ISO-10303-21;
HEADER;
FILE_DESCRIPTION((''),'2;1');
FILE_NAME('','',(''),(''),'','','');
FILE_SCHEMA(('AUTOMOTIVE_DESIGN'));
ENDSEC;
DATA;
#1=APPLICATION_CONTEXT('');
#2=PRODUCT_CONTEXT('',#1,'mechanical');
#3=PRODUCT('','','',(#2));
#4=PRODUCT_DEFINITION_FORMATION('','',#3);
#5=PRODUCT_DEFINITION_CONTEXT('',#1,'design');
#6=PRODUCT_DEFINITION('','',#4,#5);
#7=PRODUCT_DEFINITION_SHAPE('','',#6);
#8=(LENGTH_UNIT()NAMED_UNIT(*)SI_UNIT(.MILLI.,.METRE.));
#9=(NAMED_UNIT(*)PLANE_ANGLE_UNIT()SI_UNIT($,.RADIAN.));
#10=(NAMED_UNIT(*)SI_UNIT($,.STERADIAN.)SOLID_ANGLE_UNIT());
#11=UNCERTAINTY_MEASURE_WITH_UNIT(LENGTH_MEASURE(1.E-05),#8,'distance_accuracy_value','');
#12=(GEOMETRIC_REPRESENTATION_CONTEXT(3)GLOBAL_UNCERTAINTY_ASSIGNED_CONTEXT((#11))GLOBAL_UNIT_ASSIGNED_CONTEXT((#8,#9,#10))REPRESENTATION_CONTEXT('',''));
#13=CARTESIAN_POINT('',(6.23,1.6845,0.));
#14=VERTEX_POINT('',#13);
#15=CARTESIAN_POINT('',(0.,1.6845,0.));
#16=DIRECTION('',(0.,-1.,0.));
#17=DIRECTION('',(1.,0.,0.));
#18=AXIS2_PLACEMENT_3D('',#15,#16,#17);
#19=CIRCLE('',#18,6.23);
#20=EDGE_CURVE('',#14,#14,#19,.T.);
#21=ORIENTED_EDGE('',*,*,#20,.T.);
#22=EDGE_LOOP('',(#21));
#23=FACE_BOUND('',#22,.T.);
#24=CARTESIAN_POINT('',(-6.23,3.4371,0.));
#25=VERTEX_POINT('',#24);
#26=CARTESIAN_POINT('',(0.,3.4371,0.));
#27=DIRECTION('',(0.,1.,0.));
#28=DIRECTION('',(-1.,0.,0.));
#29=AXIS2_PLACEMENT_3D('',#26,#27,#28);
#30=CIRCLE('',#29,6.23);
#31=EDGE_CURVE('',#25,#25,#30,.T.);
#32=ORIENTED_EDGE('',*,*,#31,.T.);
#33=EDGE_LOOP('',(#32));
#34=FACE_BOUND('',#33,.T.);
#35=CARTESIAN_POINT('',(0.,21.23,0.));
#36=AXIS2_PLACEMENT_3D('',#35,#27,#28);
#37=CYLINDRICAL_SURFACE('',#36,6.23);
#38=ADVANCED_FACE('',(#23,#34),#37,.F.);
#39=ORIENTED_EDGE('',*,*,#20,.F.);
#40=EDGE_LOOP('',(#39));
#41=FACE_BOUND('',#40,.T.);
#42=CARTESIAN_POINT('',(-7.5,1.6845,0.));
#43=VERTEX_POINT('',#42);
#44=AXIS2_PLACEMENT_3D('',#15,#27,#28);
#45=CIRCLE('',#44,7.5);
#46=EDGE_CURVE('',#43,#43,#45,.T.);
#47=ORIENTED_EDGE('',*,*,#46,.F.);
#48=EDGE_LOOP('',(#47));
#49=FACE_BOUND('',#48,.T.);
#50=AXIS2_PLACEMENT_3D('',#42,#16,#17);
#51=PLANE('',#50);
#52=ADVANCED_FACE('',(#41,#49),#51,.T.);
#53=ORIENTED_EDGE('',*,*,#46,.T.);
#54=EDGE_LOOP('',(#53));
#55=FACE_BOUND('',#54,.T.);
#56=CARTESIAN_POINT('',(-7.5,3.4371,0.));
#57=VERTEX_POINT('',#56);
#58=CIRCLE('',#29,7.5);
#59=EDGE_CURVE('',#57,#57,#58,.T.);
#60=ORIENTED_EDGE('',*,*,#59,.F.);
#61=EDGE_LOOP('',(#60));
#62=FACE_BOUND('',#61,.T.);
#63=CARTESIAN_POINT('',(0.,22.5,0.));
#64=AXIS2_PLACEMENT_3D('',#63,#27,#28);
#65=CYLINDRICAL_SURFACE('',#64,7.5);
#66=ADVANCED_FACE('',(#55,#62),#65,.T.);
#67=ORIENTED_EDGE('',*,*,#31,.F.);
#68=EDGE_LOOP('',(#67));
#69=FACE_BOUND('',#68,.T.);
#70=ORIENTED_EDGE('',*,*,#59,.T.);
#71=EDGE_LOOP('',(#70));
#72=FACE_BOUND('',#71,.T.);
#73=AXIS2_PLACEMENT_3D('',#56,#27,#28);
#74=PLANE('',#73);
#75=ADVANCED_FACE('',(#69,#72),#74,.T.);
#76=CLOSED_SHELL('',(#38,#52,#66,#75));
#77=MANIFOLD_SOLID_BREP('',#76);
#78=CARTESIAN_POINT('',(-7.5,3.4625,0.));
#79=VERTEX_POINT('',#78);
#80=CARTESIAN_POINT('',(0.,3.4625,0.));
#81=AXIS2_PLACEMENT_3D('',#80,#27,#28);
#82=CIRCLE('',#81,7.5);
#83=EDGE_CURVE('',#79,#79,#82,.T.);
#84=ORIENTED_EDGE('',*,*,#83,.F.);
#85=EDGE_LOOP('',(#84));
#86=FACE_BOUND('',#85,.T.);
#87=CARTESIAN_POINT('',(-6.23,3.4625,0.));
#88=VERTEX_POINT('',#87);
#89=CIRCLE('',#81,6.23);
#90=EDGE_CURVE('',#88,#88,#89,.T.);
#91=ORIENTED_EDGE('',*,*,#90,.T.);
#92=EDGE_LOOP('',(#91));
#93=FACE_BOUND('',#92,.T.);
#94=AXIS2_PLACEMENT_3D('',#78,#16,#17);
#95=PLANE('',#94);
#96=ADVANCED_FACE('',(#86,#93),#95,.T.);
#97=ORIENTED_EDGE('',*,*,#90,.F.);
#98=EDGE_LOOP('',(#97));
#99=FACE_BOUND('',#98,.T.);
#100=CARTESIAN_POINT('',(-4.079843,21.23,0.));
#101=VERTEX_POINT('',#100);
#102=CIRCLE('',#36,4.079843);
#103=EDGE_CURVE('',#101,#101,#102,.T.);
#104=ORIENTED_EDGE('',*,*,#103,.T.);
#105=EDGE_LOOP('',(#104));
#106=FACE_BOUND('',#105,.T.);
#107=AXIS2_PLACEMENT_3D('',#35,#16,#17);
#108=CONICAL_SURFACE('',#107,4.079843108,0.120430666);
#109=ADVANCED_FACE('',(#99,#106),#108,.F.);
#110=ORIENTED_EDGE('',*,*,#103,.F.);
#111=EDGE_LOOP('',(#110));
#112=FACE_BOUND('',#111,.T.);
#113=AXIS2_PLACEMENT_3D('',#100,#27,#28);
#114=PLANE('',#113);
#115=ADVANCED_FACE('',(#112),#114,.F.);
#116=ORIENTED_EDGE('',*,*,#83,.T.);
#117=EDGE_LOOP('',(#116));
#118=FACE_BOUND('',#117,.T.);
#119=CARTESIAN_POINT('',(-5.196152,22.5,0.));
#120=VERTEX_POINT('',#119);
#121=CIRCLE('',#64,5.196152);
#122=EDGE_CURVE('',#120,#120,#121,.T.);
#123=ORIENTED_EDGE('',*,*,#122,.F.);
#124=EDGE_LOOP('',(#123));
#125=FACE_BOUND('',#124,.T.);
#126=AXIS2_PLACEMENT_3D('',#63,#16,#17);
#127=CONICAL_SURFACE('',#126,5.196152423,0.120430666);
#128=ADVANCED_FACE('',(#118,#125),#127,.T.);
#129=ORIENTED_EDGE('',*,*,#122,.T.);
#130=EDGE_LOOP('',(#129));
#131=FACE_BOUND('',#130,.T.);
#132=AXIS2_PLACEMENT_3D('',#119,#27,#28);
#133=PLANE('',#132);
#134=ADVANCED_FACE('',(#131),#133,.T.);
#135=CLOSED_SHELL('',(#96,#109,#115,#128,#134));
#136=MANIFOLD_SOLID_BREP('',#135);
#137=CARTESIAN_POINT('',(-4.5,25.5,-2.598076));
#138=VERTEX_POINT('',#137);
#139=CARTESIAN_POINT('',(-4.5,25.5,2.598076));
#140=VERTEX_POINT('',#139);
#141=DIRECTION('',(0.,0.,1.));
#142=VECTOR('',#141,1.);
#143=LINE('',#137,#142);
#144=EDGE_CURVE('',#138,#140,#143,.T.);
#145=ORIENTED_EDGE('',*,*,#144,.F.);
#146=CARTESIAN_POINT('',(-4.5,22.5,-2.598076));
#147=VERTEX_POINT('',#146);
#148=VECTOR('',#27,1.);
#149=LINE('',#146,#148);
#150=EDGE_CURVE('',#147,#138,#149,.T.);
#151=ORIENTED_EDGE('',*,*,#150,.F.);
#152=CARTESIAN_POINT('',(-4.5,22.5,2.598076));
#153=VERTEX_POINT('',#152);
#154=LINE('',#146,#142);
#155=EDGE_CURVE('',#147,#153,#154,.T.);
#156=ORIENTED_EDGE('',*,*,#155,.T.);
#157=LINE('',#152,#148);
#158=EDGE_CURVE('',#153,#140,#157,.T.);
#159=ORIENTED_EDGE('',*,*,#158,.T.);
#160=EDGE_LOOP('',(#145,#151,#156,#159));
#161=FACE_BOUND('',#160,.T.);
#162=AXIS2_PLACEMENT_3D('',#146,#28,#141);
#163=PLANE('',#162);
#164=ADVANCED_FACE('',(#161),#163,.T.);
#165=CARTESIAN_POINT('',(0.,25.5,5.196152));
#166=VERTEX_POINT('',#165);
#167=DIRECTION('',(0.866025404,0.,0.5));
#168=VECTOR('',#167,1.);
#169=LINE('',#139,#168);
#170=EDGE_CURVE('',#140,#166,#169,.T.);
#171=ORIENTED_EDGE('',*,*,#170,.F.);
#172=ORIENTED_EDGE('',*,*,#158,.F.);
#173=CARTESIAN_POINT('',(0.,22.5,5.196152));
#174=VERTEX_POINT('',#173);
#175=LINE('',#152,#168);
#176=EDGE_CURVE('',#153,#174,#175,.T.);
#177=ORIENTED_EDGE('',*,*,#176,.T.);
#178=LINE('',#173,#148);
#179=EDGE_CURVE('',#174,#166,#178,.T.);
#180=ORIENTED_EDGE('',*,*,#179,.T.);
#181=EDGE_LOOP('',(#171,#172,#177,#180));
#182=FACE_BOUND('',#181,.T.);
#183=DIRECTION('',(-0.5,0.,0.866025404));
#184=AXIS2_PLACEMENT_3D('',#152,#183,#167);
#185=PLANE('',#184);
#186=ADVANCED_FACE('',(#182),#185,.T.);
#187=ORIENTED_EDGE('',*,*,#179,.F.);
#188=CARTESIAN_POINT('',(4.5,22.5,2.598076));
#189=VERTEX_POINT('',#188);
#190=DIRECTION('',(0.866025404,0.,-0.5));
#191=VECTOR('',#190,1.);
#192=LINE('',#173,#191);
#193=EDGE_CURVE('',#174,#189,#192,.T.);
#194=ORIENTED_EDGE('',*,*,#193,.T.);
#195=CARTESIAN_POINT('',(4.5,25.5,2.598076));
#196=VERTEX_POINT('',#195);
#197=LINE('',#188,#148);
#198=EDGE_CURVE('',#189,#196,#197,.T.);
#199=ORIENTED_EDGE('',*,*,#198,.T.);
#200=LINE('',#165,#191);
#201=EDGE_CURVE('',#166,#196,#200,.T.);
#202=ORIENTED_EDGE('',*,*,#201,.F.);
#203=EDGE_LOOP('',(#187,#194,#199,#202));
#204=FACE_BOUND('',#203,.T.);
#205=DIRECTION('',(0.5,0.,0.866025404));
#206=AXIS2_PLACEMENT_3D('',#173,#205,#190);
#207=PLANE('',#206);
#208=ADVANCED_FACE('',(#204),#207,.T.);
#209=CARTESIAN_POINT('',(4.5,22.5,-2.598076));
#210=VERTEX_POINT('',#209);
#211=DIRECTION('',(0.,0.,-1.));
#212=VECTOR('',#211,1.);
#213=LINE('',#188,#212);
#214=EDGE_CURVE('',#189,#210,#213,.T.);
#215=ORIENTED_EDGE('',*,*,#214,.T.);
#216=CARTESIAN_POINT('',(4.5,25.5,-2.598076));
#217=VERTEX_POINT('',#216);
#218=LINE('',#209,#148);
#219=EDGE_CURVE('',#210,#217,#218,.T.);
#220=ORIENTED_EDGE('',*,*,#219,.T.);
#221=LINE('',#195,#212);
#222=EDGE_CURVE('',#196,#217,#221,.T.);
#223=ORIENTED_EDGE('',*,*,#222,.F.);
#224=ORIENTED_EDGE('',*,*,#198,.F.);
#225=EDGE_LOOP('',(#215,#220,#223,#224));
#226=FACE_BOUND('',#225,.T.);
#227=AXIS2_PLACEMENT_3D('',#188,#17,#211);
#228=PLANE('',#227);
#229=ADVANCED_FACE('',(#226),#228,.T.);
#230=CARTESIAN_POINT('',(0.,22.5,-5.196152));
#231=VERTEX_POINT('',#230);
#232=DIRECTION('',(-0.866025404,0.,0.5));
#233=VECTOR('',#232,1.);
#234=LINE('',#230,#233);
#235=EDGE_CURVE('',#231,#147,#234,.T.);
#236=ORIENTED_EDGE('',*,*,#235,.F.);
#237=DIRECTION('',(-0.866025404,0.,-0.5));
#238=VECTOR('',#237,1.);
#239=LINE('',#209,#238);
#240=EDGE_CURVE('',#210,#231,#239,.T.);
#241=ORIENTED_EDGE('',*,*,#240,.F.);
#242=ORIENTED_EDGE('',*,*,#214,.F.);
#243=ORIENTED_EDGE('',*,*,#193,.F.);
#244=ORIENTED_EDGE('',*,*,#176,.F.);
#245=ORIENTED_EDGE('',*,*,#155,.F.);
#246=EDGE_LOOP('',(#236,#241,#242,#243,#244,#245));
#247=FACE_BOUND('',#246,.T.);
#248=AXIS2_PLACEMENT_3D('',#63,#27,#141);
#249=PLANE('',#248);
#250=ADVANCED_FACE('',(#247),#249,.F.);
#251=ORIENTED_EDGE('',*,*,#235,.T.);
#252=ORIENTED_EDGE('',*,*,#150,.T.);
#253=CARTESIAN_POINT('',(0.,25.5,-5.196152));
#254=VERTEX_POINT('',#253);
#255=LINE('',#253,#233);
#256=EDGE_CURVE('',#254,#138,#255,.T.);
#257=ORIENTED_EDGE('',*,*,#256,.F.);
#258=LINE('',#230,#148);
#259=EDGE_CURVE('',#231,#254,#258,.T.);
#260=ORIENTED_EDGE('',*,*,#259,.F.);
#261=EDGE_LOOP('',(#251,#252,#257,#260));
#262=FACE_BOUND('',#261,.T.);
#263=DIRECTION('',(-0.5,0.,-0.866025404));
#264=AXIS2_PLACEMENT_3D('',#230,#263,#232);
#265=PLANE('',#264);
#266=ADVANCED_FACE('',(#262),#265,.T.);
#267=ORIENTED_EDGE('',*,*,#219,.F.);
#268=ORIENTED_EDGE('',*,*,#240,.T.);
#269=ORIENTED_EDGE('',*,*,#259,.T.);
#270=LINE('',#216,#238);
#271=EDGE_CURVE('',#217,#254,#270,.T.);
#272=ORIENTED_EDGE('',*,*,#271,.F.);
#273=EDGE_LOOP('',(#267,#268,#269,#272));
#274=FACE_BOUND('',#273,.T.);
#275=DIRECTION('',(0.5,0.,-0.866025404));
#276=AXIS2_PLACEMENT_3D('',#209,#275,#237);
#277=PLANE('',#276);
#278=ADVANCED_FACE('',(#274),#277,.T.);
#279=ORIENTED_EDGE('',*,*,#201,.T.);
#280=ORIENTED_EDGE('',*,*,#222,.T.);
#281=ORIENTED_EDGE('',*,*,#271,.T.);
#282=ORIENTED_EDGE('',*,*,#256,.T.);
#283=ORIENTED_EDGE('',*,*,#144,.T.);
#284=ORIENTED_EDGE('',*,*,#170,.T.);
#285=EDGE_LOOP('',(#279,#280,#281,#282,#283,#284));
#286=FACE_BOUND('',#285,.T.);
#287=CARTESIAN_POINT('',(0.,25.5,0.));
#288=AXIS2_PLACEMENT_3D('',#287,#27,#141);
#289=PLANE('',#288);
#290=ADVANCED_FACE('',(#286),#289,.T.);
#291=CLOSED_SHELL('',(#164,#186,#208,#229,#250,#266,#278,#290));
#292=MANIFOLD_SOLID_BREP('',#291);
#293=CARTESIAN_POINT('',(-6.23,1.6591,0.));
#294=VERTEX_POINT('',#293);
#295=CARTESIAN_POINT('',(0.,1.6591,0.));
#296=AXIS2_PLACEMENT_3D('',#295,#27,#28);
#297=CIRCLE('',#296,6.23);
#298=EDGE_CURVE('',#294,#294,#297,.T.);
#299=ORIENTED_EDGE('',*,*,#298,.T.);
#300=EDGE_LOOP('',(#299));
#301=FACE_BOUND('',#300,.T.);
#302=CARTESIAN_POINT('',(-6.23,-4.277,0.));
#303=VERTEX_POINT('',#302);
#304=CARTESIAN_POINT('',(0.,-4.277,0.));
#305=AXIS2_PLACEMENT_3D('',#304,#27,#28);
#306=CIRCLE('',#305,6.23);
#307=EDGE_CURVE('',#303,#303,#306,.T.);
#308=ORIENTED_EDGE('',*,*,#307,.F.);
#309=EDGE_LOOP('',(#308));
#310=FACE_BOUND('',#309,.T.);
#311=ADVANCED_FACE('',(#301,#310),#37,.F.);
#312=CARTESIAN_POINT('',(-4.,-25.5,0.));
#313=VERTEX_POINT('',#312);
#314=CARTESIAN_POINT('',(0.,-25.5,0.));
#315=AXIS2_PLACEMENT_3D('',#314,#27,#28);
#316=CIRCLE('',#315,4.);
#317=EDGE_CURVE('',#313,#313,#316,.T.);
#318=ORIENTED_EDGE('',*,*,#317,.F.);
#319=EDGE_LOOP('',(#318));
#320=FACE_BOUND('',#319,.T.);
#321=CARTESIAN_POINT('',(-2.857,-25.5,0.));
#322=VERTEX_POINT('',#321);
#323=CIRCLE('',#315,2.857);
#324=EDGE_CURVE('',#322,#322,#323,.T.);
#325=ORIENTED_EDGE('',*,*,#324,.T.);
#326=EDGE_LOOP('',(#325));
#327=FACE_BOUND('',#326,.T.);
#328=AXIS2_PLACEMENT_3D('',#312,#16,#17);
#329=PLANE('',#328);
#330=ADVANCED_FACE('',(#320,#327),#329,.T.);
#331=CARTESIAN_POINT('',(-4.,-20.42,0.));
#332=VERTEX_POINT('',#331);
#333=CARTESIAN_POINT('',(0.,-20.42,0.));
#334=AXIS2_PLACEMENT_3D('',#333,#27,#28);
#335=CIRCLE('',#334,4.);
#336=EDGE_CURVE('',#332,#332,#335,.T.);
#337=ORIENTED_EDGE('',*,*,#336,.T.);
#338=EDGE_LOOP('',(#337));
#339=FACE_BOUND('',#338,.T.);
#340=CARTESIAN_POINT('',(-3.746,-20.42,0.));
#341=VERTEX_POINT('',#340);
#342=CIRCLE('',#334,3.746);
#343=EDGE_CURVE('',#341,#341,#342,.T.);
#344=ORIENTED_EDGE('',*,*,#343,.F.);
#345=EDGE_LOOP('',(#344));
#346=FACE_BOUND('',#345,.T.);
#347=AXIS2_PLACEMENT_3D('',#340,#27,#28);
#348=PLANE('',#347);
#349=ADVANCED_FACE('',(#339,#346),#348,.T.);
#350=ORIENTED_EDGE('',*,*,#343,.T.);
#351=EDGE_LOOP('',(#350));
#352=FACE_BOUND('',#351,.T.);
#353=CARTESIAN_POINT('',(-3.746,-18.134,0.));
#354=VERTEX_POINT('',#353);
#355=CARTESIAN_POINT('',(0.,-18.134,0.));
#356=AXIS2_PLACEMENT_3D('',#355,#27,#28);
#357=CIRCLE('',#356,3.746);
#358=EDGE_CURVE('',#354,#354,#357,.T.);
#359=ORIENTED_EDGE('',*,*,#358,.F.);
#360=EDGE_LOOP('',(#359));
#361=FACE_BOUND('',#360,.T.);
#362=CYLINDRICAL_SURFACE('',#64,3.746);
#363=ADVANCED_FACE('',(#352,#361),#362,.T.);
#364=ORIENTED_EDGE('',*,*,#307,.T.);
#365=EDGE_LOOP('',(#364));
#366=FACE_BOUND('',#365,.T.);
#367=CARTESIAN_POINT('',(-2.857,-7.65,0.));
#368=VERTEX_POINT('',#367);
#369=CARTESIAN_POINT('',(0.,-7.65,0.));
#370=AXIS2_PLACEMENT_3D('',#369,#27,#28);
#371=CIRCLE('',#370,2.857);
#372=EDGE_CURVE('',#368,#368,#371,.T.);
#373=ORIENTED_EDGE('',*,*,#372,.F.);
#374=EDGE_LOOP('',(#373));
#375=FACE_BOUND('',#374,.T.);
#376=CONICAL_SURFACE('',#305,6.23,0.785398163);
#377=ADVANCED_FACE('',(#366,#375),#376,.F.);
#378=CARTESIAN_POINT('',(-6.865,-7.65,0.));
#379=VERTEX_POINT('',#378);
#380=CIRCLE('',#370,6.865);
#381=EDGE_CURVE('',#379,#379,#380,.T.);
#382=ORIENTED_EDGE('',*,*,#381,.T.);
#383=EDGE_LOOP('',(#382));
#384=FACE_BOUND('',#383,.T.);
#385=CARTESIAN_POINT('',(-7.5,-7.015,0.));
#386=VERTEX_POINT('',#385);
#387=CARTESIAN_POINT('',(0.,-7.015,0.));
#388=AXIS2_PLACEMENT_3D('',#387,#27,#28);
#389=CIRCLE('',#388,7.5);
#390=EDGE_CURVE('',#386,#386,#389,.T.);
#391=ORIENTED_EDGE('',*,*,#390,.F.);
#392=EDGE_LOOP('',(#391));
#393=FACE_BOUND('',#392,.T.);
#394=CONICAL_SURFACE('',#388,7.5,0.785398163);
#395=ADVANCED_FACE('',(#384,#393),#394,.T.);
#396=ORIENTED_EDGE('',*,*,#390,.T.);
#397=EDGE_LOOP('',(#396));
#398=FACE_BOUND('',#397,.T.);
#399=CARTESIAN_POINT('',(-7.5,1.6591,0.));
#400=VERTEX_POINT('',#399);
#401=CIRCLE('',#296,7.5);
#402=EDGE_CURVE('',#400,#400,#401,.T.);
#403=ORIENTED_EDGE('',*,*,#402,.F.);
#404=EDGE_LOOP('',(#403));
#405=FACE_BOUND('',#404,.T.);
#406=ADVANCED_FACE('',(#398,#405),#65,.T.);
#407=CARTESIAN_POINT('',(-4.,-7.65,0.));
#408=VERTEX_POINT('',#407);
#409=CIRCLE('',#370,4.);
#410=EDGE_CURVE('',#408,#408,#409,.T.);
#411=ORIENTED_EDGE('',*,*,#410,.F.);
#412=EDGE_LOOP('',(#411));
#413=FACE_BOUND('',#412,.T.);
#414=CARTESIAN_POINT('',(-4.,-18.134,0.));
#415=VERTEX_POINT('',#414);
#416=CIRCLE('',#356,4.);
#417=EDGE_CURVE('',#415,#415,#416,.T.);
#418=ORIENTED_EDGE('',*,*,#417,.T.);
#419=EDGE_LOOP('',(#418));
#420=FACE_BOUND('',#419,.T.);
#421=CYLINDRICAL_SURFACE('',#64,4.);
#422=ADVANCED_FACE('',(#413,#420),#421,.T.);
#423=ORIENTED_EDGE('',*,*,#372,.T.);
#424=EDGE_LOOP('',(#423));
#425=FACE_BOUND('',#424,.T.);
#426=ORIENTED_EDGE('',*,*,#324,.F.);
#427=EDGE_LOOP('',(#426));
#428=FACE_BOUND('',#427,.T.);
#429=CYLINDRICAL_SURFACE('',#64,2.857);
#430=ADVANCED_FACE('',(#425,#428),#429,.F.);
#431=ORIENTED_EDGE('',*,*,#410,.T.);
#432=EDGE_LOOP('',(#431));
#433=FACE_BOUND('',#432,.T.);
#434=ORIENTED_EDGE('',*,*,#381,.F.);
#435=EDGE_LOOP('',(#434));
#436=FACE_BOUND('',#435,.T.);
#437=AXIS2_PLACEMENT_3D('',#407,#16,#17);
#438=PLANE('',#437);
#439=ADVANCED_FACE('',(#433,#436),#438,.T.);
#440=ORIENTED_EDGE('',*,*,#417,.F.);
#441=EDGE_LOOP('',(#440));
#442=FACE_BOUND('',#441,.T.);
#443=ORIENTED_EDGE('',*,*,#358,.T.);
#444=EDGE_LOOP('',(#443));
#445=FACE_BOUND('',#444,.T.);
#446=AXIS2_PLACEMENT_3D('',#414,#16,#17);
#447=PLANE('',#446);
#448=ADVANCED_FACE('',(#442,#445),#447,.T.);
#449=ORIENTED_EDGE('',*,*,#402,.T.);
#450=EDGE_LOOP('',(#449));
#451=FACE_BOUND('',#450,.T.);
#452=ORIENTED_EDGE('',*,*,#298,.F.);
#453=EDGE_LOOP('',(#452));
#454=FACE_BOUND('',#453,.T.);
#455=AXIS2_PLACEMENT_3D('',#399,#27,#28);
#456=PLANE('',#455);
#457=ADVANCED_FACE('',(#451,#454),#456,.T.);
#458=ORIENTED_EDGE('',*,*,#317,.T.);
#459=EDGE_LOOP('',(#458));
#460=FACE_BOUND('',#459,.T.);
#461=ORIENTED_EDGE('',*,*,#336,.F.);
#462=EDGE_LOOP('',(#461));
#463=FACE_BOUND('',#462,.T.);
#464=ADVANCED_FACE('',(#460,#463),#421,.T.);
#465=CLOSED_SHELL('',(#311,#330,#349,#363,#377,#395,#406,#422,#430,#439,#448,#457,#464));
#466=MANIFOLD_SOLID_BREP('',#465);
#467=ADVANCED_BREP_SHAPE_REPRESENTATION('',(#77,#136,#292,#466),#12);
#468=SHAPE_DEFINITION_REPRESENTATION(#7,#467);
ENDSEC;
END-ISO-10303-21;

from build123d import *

# Parameters (mm, degrees)
SKETCH5_W           = 7.5
SKETCH5_H           = 1.7526
BOSS_EXTRUDE1_START = 25.5
BOSS_EXTRUDE1_DEPTH = 3


with BuildPart() as part:
    # Sketch5 → Revolve1 (revolve)
    with BuildSketch(Plane.XY):
        Polygon((-4, -25.5), (-4, -20.42), (-3.746, -20.42), (-3.746, -18.134), (-4, -18.134), (-4, -7.65), (-6.865, -7.65), (-7.5, -7.015), (-7.5, 1.6591), (0, 1.6591), (0, -7.65), (-2.857, -7.65), (-2.857, -25.5), align=None)
        Polygon((-7.5, 3.4625), (-5.196152423, 22.5), (0, 22.5), (0, 3.4625), align=None)
        with Locations((-3.75, 2.5608)):
            Rectangle(SKETCH5_W, SKETCH5_H)
    revolve(axis=Axis((0, 22.5, 0), (0, -1, 0)))

    # Sketch6 → Cut-Revolve1 (revolve, cut)
    with BuildSketch(Plane.XY):
        Polygon((-2.857, -7.65), (-6.23, -4.277), (-6.23, 3.4625), (-4.079843108, 21.23), (0, 21.23), (0, -7.65), align=None)
    revolve(axis=Axis((0, 21.23, 0), (0, -1, 0)), mode=Mode.SUBTRACT)


with BuildPart() as body_2:
    # Sketch3 → Boss-Extrude1 (new body)
    with BuildSketch(Plane(origin=(0, 0, 0), x_dir=(1, 0, 0), z_dir=(0, 1, 0)).offset(BOSS_EXTRUDE1_START)):
        Polygon((0, 5.196152423), (-4.5, 2.598076211), (-4.5, -2.598076211), (0, -5.196152423), (4.5, -2.598076211), (4.5, 2.598076211), align=None)
    extrude(amount=-BOSS_EXTRUDE1_DEPTH)


solid = Compound([part.part, body_2.part])
